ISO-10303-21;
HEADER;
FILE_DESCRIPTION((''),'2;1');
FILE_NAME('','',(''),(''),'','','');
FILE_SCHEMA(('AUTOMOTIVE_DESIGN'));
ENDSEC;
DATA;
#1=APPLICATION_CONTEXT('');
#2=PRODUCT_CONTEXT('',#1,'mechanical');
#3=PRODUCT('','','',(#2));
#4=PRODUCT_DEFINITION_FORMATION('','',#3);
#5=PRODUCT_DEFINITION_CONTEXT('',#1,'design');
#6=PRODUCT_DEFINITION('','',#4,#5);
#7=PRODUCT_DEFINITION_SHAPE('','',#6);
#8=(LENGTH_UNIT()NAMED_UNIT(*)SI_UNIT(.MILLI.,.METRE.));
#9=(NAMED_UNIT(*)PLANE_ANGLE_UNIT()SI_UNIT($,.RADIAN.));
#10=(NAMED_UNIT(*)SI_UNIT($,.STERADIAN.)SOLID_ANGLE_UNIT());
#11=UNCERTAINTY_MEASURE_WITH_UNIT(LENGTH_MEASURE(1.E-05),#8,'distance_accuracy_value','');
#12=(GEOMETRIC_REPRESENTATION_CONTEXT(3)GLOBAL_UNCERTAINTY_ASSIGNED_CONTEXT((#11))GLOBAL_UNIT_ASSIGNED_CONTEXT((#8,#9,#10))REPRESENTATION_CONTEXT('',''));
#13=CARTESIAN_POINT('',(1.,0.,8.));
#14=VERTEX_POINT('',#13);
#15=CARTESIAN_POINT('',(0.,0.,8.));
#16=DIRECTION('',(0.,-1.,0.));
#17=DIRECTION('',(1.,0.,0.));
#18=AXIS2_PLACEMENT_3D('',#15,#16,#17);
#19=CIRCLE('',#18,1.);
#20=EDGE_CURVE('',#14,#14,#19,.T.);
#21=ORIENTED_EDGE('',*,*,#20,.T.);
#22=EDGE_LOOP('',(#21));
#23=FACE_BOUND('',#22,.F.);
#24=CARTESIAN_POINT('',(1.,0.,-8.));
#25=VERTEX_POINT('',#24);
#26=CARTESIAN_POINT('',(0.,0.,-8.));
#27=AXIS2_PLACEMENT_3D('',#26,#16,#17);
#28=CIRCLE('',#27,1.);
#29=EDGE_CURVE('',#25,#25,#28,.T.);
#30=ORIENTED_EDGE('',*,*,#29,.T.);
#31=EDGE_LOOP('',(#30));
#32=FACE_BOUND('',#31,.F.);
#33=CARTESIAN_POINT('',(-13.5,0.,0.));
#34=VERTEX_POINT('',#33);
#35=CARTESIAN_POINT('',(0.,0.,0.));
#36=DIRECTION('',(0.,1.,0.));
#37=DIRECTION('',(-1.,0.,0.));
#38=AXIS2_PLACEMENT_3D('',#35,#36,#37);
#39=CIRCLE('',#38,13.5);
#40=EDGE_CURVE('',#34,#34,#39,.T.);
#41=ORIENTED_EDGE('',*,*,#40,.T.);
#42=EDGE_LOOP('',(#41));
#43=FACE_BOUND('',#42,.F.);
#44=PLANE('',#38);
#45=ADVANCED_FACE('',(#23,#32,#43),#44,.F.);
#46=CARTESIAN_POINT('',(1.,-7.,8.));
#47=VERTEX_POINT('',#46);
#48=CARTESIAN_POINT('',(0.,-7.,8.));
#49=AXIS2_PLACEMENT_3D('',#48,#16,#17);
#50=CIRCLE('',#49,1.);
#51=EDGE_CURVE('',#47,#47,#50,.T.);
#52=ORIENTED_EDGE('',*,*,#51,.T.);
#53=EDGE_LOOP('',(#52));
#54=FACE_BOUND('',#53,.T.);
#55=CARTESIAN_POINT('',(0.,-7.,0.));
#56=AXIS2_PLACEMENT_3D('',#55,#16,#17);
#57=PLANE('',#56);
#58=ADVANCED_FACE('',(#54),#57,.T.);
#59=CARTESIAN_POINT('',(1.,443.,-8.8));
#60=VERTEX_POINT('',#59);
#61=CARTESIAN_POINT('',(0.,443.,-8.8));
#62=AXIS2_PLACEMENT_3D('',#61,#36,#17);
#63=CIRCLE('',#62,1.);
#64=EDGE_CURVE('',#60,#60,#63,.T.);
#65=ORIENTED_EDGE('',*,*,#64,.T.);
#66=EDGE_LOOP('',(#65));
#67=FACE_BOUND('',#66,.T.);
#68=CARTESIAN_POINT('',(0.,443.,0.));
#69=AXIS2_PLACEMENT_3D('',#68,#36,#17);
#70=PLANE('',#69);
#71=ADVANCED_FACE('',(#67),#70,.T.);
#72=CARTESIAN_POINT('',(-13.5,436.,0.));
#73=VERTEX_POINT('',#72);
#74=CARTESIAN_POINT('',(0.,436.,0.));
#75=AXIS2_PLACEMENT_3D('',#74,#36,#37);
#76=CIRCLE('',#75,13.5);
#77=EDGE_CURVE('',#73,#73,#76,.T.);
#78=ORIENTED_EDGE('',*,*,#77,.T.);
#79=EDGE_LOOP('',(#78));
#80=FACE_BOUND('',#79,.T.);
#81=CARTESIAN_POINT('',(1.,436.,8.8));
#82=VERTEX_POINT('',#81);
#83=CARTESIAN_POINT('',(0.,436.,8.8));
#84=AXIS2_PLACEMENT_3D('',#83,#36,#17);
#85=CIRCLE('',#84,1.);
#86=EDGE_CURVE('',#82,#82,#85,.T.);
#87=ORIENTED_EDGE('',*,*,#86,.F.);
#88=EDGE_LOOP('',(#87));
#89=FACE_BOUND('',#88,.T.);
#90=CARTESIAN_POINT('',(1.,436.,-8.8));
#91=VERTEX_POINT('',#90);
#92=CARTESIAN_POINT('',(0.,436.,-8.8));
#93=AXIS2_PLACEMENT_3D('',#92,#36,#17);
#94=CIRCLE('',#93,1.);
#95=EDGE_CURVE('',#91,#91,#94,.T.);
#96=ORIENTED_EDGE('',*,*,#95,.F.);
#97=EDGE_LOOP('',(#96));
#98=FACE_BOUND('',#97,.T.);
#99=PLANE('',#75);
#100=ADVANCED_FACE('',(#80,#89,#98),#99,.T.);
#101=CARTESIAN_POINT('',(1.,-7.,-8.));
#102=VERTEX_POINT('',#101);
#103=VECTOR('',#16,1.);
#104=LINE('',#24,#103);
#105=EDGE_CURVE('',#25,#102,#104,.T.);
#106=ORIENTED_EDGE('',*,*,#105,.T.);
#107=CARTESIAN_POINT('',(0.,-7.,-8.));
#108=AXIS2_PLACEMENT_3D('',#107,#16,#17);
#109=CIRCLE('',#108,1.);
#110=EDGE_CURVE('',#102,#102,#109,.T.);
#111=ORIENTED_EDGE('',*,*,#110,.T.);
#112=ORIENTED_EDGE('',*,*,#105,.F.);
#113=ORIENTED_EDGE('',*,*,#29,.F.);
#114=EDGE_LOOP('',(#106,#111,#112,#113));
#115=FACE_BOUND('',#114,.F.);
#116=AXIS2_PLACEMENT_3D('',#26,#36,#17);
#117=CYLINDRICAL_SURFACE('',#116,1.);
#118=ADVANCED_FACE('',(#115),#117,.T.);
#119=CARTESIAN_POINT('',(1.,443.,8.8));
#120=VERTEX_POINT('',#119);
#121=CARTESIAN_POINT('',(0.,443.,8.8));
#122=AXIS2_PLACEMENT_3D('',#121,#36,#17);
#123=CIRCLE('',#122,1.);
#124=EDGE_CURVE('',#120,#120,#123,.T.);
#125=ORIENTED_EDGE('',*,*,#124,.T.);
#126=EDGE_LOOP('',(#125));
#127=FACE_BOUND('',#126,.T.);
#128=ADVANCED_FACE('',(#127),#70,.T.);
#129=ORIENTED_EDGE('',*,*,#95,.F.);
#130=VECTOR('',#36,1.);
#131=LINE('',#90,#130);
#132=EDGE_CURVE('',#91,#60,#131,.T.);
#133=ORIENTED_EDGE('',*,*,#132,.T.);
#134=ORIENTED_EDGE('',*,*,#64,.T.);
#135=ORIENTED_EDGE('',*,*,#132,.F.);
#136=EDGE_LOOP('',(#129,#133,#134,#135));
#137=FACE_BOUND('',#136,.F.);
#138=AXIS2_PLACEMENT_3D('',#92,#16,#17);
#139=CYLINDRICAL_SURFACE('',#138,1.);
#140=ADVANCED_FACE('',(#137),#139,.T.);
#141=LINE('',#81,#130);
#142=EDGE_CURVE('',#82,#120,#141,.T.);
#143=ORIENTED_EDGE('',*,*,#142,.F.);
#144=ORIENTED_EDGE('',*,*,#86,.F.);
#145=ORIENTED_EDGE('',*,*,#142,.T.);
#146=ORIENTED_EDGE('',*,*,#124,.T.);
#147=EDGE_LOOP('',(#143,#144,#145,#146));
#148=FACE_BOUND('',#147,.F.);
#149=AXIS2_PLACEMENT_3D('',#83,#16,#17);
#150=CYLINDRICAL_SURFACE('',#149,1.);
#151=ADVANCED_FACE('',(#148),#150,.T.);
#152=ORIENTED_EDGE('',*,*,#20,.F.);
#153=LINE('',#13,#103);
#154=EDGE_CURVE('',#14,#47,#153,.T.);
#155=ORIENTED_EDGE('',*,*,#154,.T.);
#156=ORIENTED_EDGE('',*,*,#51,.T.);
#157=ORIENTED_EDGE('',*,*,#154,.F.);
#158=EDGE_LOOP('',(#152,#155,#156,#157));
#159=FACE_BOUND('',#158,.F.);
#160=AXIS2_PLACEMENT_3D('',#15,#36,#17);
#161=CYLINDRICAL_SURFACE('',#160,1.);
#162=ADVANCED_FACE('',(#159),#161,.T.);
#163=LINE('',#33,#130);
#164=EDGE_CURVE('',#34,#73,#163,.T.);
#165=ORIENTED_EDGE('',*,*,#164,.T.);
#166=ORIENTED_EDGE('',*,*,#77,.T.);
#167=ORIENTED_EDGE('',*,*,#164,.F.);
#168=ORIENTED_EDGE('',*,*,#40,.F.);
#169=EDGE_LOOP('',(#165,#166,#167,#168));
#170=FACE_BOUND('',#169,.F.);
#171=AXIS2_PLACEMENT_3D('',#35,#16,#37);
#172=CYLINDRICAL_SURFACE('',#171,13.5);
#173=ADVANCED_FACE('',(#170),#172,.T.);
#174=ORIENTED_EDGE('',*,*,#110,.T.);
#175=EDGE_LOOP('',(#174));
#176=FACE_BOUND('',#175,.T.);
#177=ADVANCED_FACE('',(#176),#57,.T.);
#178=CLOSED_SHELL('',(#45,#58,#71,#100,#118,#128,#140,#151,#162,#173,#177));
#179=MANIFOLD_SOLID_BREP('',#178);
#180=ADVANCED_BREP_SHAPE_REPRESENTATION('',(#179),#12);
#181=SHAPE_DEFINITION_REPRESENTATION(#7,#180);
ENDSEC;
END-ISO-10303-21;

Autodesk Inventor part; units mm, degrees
ref_plane "YZ Plane" through (0, 0, 0) normal (1, 0, 0) x (0, 1, 0)
ref_plane "XZ Plane" through (0, 0, 0) normal (0, 1, 0) x (-1, 0, 0)
ref_plane "XY Plane" through (0, 0, 0) normal (0, 0, 1) x (1, 0, 0)
sketch "Sketch1" plane through (0, 0, 0) normal (0, 1, 0) x (-1, 0, 0)
  circle A0 centre (0, 0) radius 13.5
  dimension "d0" = 27
extrude "Extrusion1" add sketch "Sketch1" along normal blind 436
sketch "Sketch2" plane through (0, 436, 0) normal (0, 1, 0) x (1, 0, 0)
  circle A0 centre (0, -8.8) radius 1
  circle A1 centre (0, 8.8) radius 1
  circle A2 centre (0, 0) radius 13.5 projected
  dimension "d3" = 2
  dimension "d4" = 2
  dimension "d5" = 8.8
  dimension "d6" = 8.8
extrude "Extrusion2" add sketch "Sketch2" along normal blind 7 contours A0 | A1
sketch "Sketch3" plane through (0, 0, 0) normal (0, -1, 0) x (1, 0, 0)
  circle A0 centre (0, 8) radius 1
  circle A1 centre (0, -8) radius 1
  point P0 (0, 0)
  dimension "d9" = 2
  dimension "d10" = 2
  dimension "d15" = 8
  dimension "d16" = 8
extrude "Extrusion3" add sketch "Sketch3" along normal blind 7
sketch "Sketch4" plane through (0, 0, 0) normal (0, -1, 0) x (1, 0, 0)
  point P0 (0, 0)
properties part number "UV-15W"
